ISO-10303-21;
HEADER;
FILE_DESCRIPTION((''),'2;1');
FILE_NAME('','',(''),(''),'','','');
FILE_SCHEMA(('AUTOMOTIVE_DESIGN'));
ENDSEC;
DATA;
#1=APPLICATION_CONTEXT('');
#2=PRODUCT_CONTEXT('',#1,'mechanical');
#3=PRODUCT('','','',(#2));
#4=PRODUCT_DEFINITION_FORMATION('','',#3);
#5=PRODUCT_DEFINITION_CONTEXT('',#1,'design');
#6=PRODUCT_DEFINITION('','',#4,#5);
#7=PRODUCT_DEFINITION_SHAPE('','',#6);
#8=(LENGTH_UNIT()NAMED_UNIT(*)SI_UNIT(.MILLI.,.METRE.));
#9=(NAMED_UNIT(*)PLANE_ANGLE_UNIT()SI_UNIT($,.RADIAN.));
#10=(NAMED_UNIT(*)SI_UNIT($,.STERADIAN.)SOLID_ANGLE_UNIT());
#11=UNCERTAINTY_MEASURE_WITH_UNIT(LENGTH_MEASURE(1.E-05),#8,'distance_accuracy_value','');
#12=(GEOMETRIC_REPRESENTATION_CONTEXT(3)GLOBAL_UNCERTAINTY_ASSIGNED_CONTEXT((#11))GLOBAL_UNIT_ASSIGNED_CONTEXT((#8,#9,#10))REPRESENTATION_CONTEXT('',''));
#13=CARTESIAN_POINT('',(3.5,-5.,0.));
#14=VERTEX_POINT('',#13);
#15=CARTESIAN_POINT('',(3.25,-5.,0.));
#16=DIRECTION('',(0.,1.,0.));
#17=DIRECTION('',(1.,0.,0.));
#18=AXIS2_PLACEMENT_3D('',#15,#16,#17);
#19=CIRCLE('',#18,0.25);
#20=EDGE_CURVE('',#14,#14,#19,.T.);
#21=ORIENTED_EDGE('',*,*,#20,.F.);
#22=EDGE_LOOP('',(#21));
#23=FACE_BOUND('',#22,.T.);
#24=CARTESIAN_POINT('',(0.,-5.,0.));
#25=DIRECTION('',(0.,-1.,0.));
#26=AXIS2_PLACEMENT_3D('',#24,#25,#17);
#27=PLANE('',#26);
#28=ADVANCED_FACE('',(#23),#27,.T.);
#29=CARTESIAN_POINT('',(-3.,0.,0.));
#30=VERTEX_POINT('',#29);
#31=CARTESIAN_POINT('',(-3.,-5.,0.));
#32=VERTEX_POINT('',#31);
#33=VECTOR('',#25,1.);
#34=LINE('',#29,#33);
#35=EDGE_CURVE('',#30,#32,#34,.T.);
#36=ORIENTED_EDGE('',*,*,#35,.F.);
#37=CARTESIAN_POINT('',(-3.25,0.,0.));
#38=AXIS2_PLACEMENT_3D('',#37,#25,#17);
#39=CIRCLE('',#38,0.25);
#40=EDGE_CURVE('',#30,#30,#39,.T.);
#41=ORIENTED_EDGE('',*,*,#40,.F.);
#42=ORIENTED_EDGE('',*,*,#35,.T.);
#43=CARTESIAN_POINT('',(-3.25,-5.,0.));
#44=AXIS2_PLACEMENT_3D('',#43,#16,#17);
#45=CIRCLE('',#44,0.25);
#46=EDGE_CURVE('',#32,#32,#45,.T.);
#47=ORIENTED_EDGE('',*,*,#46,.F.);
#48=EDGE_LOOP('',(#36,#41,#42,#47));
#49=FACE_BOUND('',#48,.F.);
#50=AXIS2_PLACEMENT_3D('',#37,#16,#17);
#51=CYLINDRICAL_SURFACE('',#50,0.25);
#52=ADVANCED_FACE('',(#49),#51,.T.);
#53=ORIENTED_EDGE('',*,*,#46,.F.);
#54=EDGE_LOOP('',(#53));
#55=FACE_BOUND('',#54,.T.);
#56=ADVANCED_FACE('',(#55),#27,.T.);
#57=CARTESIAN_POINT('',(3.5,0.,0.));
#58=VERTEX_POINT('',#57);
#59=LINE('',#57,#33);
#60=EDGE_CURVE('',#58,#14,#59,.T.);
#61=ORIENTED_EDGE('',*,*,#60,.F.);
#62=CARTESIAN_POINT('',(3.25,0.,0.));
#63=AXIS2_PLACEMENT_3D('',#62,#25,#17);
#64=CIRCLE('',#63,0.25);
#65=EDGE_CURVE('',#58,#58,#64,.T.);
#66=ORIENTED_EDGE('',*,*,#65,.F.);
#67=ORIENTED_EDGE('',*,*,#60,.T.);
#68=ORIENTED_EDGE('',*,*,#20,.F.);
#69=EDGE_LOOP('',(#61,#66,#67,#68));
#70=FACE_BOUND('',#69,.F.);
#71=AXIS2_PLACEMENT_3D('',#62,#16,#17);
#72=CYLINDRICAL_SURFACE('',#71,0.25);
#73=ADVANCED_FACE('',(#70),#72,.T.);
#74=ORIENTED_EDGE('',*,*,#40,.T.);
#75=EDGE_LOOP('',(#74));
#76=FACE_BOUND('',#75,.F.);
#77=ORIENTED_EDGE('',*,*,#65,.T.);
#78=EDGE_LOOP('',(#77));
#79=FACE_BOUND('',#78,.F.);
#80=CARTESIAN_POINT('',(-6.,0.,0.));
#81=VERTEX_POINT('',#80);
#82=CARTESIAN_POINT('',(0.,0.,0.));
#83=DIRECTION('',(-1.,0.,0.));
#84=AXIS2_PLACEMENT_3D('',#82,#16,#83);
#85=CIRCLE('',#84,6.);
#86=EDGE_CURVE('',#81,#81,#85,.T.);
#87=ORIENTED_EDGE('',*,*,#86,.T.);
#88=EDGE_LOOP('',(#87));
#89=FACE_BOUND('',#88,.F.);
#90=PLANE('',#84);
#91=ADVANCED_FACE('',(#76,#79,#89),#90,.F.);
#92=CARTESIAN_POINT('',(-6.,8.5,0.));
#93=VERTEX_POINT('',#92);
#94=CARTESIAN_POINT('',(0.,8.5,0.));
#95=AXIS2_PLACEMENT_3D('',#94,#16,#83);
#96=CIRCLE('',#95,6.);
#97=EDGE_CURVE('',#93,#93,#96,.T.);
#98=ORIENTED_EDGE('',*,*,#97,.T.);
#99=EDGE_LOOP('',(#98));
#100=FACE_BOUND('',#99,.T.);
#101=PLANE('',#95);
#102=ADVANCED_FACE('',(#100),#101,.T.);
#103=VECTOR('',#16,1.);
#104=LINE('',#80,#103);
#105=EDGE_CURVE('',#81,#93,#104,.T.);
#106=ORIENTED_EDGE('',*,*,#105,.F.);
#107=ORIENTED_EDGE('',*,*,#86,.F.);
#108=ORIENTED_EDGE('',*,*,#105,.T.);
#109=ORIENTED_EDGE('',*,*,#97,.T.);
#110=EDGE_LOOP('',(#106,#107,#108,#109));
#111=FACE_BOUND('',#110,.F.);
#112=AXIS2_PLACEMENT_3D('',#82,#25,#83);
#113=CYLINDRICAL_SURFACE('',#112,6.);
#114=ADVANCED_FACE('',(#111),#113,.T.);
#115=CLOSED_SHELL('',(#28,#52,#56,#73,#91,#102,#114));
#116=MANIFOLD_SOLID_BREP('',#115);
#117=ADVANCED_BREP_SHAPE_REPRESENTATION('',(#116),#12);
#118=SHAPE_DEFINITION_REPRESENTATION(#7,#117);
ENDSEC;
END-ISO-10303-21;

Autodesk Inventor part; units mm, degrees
ref_plane "YZ Plane" through (0, 0, 0) normal (1, 0, 0) x (0, 1, 0)
ref_plane "XZ Plane" through (0, 0, 0) normal (0, 1, 0) x (-1, 0, 0)
ref_plane "XY Plane" through (0, 0, 0) normal (0, 0, 1) x (1, 0, 0)
sketch "スケッチ1" plane through (0, 0, 0) normal (0, 1, 0) x (-1, 0, 0)
  circle A0 centre (0, 0) radius 6
  dimension "d0" = 12
extrude "押し出し1" add sketch "スケッチ1" along normal blind 8.5
sketch "スケッチ2" plane through (0, 0, 0) normal (0, -1, 0) x (1, 0, 0)
  circle A0 centre (0, 0) radius 3.25
  line L0 (-5.9563, 0) -> (5.7903, 0)
  circle A1 centre (-3.25, 0) radius 0.25
  circle A2 centre (3.25, 0) radius 0.25
  dimension "d3" = 6.5
  dimension "d4" = 0.5
  dimension "d5" = 0.5
extrude "押し出し2" add sketch "スケッチ2" along normal blind 5 contours L0 A2 A0 | L0 A2 A0 | A0 A2 L0 | A0 A2 L0 | A1 L0 A0 | A0 L0 A1 | A1 L0 A0 | A0 L0 A1
properties part number "Buzzer"
